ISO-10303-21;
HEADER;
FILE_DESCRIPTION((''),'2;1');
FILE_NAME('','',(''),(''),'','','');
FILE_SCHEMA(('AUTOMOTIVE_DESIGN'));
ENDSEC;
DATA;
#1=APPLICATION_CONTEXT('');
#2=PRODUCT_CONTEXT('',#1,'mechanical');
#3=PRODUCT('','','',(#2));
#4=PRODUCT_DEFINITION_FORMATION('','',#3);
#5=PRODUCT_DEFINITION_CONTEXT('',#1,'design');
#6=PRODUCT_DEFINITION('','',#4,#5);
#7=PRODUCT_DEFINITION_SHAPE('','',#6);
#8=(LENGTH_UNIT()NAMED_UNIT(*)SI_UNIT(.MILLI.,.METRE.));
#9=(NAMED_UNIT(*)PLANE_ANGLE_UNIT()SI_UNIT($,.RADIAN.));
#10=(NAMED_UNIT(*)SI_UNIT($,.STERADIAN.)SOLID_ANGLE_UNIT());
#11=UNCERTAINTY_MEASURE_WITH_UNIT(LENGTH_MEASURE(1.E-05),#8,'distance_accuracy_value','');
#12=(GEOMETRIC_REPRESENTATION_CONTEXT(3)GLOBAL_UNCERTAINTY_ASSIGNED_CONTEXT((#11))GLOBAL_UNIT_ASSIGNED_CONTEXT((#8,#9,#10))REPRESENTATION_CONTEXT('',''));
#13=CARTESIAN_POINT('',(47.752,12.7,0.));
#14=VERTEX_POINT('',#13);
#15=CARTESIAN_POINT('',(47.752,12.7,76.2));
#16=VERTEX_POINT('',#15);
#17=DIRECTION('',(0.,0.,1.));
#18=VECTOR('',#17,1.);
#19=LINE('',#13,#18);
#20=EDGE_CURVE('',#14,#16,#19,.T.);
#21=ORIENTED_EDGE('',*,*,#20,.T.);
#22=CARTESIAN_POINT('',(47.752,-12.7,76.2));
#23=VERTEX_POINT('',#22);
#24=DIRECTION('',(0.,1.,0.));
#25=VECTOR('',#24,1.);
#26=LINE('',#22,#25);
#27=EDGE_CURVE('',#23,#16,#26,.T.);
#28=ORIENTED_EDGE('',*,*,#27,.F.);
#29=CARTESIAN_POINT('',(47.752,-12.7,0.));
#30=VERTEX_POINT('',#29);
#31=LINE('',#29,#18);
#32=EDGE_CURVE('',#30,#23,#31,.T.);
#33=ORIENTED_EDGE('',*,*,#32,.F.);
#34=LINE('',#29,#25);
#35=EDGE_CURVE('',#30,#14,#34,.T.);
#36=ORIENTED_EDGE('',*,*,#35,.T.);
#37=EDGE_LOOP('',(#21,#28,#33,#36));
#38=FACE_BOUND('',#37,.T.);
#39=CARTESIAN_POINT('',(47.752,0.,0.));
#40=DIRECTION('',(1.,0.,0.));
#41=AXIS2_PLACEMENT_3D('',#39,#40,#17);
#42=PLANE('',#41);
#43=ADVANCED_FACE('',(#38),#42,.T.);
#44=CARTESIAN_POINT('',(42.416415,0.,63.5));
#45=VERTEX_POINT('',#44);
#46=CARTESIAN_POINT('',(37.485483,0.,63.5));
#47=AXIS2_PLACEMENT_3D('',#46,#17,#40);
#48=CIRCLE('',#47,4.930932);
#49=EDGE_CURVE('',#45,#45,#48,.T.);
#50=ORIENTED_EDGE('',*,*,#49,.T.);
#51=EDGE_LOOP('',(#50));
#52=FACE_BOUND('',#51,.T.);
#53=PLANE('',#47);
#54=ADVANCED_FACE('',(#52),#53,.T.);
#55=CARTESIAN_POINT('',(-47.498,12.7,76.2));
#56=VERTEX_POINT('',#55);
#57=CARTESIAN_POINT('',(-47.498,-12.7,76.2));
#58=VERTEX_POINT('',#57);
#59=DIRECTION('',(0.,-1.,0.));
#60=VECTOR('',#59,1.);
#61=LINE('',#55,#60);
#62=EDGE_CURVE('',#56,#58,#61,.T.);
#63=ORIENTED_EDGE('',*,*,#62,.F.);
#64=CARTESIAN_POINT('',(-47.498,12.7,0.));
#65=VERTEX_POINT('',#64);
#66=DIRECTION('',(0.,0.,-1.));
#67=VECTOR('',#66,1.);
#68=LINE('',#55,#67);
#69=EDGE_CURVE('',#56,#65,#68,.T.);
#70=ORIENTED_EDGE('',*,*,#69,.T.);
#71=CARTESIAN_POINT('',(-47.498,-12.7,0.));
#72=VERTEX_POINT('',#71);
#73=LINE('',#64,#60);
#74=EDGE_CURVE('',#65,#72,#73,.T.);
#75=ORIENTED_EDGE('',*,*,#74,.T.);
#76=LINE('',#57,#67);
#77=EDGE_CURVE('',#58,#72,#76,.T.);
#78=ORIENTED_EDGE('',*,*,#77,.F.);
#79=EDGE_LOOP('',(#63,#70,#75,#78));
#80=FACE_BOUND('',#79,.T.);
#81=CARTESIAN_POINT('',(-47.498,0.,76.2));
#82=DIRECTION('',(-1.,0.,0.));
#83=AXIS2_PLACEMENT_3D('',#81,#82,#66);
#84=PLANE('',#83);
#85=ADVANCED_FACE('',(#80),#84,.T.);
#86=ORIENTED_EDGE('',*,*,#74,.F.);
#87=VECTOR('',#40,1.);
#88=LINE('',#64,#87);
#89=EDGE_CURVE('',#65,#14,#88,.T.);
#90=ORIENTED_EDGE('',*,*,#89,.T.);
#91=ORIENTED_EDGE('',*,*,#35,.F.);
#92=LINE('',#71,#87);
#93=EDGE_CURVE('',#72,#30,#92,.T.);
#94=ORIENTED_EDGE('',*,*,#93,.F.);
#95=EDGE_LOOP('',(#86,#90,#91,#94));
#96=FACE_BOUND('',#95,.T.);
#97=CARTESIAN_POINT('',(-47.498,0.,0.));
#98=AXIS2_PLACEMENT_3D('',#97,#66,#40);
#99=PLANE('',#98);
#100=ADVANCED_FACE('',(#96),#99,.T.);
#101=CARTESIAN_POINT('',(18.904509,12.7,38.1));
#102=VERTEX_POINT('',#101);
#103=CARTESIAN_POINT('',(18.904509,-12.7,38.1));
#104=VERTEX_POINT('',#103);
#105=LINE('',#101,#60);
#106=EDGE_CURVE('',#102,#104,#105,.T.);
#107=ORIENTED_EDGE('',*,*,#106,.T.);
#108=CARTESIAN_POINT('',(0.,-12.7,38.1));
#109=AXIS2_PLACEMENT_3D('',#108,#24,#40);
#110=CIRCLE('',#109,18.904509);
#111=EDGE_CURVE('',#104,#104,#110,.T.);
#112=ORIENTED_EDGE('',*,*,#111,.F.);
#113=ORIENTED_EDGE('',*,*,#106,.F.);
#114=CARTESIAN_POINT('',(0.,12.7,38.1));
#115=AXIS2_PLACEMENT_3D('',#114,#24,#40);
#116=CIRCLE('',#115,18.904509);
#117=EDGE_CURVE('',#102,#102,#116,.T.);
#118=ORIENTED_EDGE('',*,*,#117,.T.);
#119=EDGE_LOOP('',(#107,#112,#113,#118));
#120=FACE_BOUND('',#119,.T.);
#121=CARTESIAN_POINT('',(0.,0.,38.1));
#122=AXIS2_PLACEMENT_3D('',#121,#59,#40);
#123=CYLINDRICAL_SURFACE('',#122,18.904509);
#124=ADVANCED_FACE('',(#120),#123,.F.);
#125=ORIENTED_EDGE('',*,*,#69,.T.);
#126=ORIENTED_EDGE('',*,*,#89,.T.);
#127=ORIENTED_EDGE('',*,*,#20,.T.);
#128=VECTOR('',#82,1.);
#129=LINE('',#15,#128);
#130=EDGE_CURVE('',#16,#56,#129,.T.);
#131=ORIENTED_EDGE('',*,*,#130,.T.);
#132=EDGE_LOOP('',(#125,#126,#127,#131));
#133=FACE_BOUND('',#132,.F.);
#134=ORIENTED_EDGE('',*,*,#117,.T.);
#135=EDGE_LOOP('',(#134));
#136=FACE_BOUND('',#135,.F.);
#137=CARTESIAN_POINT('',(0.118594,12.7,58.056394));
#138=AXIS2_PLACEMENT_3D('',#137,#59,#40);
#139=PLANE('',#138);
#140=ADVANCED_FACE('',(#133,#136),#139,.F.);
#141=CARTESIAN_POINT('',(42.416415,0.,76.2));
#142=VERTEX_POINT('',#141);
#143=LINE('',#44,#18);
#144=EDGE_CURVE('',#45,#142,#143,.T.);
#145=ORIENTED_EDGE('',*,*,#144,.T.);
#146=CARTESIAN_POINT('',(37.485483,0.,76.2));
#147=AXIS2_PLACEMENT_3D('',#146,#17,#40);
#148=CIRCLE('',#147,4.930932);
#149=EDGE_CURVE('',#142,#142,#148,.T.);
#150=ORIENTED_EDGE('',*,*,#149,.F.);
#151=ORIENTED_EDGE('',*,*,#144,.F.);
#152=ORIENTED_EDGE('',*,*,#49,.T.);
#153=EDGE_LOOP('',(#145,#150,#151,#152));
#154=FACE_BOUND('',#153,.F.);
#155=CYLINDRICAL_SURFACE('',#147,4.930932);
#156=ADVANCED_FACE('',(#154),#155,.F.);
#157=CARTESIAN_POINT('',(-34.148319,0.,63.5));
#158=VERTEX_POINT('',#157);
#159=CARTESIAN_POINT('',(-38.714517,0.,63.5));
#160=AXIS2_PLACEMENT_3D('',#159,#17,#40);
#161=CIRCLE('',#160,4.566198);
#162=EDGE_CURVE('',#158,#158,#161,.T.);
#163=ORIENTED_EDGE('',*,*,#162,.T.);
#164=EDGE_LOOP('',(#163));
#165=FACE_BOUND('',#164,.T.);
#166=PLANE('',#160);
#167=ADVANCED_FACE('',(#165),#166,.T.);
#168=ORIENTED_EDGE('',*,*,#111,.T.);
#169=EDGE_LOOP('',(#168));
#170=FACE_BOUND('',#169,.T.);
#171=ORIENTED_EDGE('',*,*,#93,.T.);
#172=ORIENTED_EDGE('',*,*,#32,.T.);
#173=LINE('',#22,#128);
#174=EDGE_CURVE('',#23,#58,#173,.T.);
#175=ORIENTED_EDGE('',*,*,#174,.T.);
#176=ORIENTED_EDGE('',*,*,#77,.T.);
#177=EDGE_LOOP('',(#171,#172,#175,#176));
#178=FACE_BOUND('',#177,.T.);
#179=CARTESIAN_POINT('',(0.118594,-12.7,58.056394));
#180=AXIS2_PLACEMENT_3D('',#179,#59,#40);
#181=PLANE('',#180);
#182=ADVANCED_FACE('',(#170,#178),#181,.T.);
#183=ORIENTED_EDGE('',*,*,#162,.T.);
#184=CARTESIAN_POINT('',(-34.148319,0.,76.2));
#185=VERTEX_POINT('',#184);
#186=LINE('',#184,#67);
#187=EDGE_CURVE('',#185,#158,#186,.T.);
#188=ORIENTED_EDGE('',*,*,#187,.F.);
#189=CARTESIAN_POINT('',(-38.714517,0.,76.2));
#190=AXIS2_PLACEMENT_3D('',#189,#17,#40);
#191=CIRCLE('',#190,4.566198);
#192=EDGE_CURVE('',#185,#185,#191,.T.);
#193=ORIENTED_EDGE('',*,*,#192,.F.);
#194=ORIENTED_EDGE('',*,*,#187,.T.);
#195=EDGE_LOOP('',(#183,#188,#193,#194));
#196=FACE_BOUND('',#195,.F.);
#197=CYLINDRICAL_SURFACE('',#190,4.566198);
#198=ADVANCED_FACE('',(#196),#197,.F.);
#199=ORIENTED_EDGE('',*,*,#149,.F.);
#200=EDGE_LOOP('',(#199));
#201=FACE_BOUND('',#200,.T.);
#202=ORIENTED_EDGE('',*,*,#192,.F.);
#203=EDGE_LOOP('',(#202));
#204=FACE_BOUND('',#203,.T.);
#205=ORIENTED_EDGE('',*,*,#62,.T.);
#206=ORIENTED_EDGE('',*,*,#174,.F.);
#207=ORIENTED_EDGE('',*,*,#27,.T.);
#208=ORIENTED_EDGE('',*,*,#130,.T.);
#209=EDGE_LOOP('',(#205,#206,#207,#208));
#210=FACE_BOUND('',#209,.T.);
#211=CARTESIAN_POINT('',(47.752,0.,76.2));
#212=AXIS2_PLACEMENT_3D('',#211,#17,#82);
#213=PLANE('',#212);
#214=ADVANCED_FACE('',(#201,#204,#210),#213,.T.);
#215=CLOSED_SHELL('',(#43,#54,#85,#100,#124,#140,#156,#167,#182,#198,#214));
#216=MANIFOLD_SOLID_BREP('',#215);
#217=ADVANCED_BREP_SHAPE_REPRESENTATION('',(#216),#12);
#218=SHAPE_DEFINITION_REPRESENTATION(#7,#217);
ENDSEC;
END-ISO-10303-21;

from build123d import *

# Parameters (mm, degrees)
F1_DEPTH = 12.7
F2_R     = 4.566198
F2_R_2   = 4.930932
F3_DEPTH = 12.7


with BuildPart() as f1:
    # F0 (on Front) → F1 (new body, symmetric)
    with BuildSketch(Plane.XZ):
        with BuildLine():
            Line((47.752, 38.1), (47.752, 76.2))
            Line((47.752, 76.2), (-47.498, 76.2))
            Line((-47.498, 76.2), (-47.498, 38.1))
            Line((-47.498, 38.1), (-18.904509, 38.1))
            ThreePointArc((-18.904509, 38.1), (0, 57.004509), (18.904509, 38.1))
            Line((18.904509, 38.1), (47.752, 38.1))
        make_face()
        with BuildLine():
            Line((47.752, 0), (47.752, 38.1))
            Line((47.752, 38.1), (18.904509, 38.1))
            ThreePointArc((18.904509, 38.1), (0, 19.195491), (-18.904509, 38.1))
            Line((-18.904509, 38.1), (-47.498, 38.1))
            Line((-47.498, 38.1), (-47.498, 0))
            Line((-47.498, 0), (47.752, 0))
        make_face()
    extrude(amount=F1_DEPTH, both=True)

    # F2 (on face) → F3 (cut, symmetric)
    with BuildSketch(Plane.XY.offset(76.2)):
        with Locations((-38.714517, 0)):
            Circle(F2_R)
        with Locations((37.485483, 0)):
            Circle(F2_R_2)
    extrude(amount=F3_DEPTH, both=True, mode=Mode.SUBTRACT)


solid = f1.part
